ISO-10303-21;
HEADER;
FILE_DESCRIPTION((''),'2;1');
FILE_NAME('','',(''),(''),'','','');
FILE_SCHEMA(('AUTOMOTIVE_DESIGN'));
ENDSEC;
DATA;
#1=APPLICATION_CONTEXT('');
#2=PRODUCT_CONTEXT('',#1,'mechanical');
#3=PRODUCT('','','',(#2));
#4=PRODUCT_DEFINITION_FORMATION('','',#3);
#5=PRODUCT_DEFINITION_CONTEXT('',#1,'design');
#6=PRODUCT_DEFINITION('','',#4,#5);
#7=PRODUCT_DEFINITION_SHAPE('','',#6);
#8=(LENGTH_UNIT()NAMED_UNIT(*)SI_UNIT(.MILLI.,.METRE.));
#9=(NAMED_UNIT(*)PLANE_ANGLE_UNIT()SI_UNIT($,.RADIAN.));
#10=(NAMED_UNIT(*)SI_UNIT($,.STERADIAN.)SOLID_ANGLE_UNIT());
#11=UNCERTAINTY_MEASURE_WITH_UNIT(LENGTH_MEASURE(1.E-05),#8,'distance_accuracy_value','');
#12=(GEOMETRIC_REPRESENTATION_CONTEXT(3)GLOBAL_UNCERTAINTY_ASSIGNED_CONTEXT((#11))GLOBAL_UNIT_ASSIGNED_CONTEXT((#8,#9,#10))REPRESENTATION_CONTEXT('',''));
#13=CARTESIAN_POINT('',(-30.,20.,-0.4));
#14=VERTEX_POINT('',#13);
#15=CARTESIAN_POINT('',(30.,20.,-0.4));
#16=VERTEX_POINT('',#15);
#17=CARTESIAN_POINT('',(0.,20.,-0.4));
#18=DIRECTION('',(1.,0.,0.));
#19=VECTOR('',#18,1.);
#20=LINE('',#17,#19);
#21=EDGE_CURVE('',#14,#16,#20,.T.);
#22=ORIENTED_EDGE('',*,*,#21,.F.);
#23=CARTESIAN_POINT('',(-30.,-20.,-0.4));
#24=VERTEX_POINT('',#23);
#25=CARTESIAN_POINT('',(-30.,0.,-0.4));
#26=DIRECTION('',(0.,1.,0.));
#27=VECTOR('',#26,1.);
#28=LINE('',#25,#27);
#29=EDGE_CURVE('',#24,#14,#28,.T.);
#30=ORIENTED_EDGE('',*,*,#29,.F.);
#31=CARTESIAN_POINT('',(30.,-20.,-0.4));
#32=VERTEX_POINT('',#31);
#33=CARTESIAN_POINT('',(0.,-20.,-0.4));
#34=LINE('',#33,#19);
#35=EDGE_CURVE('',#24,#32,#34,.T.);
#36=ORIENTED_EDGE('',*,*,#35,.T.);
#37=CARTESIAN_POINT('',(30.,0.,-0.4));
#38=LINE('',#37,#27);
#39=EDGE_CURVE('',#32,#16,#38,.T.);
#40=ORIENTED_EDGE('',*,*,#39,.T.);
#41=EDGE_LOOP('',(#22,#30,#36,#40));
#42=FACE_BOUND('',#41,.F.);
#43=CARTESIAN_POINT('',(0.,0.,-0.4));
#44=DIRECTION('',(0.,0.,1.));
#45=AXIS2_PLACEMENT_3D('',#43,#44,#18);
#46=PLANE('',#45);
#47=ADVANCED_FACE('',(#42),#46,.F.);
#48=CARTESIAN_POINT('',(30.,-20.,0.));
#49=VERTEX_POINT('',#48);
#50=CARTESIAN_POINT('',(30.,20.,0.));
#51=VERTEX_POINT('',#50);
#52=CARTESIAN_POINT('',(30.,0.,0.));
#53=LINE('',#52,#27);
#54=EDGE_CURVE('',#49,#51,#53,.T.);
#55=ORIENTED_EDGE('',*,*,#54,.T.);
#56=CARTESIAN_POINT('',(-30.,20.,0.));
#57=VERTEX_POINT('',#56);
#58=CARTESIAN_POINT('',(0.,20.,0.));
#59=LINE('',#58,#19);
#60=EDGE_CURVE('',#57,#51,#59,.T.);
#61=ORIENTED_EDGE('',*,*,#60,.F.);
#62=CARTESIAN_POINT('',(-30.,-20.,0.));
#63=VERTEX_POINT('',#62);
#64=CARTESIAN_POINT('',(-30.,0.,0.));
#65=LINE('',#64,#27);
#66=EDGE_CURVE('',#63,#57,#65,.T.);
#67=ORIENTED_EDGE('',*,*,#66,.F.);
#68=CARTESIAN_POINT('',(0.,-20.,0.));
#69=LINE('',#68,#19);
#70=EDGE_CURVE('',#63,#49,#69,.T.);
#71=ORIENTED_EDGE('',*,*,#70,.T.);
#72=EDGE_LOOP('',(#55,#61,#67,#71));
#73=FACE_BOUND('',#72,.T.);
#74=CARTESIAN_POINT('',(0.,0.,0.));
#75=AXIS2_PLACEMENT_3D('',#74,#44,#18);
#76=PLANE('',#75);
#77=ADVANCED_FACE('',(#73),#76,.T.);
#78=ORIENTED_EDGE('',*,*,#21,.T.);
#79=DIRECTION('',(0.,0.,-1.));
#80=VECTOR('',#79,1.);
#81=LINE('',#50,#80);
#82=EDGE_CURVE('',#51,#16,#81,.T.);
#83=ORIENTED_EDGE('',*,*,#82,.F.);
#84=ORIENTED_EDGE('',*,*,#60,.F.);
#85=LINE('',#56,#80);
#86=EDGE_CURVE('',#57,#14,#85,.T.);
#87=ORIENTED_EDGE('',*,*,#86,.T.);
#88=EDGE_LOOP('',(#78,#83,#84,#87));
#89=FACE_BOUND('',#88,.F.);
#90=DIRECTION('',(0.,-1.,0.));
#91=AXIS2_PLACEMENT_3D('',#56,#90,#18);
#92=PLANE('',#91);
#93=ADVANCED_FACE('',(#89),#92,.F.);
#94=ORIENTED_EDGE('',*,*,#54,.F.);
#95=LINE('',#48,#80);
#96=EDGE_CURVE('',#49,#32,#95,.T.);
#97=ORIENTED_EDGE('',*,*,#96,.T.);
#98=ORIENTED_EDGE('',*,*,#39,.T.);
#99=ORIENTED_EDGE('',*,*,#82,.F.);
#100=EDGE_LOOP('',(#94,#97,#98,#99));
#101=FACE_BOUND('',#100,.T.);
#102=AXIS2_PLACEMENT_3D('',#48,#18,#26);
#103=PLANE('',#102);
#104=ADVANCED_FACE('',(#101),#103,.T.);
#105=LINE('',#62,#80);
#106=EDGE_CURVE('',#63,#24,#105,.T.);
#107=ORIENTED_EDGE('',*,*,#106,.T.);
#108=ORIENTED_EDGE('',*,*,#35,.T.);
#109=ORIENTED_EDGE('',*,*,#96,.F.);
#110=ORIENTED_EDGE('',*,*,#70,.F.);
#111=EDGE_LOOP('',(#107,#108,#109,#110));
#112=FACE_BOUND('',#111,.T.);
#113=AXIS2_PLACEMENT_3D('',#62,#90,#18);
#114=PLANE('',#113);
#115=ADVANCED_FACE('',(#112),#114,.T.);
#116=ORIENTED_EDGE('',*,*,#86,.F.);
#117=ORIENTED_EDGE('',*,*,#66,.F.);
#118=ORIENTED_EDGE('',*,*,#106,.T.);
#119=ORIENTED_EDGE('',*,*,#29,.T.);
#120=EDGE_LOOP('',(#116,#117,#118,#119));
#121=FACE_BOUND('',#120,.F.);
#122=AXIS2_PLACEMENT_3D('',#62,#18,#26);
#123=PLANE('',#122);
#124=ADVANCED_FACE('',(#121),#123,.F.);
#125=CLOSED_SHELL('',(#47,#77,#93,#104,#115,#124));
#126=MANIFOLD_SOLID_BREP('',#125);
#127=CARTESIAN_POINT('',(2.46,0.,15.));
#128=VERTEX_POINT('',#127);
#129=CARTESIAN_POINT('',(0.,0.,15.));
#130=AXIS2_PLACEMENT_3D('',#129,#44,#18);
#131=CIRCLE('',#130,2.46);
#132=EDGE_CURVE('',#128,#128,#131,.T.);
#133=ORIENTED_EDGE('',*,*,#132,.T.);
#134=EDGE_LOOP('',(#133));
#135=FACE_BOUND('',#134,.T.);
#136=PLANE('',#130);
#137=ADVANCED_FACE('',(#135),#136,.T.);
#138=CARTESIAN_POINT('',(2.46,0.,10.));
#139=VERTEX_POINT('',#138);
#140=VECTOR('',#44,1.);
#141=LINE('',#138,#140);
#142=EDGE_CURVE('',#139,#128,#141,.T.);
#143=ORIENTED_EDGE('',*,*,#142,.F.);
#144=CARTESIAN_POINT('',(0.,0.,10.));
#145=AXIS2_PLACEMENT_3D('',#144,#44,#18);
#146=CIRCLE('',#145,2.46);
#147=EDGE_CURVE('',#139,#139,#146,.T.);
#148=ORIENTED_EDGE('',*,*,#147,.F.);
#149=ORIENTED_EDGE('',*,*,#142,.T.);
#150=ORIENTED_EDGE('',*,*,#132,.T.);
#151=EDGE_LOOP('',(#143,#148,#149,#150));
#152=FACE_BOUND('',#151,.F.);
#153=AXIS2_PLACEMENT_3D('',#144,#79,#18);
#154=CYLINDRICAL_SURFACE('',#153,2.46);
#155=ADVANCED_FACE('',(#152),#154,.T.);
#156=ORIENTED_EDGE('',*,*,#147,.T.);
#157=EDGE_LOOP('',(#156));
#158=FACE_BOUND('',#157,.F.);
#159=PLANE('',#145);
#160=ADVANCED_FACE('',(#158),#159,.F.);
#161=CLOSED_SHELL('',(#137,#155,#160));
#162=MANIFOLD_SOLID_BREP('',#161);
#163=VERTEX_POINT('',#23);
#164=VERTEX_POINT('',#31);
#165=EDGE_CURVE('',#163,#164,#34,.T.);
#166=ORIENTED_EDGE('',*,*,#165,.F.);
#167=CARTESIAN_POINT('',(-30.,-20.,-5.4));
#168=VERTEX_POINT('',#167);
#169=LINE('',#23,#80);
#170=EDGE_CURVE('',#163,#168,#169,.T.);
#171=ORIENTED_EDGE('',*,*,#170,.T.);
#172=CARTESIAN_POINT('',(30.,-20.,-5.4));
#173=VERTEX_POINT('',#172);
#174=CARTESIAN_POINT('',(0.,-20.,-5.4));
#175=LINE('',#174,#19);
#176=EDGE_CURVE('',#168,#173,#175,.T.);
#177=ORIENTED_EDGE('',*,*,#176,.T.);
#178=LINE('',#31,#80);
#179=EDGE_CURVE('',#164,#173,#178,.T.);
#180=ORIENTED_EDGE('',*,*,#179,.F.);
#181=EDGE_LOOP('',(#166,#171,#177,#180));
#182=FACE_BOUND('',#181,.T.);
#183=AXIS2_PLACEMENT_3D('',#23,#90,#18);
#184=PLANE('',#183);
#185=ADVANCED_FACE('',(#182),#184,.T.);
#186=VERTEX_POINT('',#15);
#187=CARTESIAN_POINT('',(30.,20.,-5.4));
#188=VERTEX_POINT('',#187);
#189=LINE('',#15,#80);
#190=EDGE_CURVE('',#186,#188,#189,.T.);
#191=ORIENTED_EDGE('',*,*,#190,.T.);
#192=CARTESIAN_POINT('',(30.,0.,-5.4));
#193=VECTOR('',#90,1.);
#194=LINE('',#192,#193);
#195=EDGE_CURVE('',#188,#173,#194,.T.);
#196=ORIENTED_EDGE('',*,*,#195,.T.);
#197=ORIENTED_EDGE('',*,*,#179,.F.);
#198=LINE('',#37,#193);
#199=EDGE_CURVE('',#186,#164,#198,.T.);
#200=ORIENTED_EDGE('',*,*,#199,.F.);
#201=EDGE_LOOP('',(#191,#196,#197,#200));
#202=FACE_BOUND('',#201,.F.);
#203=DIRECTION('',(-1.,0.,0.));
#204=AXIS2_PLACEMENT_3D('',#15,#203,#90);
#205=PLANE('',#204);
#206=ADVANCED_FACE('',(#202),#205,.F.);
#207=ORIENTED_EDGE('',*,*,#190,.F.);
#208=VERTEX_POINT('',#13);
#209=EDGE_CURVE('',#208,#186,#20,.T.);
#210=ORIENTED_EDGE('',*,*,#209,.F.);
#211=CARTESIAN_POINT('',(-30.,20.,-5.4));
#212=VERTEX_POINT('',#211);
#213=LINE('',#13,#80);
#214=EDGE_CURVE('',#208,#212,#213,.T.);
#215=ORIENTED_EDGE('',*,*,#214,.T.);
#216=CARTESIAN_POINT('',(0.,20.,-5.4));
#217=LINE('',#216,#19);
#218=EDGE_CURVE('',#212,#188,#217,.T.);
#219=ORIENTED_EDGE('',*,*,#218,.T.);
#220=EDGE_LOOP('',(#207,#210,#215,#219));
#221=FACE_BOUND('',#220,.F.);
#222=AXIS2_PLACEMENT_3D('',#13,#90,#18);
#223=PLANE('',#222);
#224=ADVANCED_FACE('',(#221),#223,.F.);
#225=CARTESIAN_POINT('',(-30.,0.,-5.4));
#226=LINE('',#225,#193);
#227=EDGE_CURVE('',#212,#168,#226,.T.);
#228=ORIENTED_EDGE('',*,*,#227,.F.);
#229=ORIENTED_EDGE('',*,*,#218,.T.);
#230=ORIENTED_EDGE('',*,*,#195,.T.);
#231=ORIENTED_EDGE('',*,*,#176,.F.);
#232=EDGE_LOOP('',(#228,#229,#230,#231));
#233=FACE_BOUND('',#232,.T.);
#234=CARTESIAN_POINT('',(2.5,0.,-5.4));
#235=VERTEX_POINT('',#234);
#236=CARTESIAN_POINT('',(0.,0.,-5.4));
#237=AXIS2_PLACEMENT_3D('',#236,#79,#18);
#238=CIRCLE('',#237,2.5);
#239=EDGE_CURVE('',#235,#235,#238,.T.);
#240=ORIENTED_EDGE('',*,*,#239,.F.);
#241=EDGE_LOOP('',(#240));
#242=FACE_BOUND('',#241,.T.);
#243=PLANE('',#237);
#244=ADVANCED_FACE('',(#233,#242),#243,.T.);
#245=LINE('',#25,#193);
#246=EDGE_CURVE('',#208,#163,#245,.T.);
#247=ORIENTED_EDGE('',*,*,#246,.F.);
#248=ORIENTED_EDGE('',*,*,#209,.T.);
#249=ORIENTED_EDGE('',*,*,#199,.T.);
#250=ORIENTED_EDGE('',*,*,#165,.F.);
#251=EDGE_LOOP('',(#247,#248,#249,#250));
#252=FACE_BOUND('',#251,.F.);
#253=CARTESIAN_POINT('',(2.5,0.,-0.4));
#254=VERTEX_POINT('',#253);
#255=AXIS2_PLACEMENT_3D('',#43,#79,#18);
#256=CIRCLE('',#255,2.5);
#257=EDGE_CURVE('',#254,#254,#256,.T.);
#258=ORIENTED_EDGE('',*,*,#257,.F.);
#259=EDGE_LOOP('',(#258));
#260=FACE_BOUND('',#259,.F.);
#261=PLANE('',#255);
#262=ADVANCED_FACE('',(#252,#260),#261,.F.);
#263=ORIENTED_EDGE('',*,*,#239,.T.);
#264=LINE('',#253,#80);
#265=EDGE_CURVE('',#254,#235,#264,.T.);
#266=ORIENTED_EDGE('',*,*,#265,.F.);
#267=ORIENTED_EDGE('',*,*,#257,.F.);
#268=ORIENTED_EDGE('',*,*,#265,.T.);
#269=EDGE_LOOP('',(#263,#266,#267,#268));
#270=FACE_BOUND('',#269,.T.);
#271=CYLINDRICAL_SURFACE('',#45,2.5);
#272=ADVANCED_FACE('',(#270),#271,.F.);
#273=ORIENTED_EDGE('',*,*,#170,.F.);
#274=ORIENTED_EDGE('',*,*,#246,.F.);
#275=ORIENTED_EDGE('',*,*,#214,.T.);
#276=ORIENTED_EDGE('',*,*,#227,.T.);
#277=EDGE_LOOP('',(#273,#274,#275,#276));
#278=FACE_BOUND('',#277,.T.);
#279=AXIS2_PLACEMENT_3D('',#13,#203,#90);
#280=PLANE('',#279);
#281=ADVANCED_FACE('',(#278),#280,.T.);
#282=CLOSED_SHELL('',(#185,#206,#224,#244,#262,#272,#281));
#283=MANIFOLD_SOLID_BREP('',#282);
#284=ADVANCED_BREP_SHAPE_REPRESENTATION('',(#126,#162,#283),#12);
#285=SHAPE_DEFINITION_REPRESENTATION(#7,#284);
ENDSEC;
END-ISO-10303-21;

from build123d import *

# Parameters (mm, degrees)
F0_W     = 60
F0_H     = 40
F1_DEPTH = 0.4
F3_R     = 2.46
F4_DEPTH = 5
F5_W     = 60
F5_H     = 40
F5_R     = 2.5
F6_DEPTH = 5


with BuildPart() as f1:
    # F0 (on Top) → F1 (new body)
    with BuildSketch(Plane.XY):
        Rectangle(F0_W, F0_H)
    extrude(amount=-F1_DEPTH)


with BuildPart() as f4:
    # F3 (on offset) → F4 (new body)
    with BuildSketch(Plane.XY.offset(10)):
        Circle(F3_R)
    extrude(amount=F4_DEPTH)


with BuildPart() as f6:
    # F5 (on face) → F6 (new body)
    with BuildSketch(Plane(origin=(0, 0, -0.4), x_dir=(1, 0, 0), z_dir=(0, 0, -1))):
        Rectangle(F5_W, F5_H)
        Circle(F5_R, mode=Mode.SUBTRACT)
    extrude(amount=F6_DEPTH)


solid = Compound([f1.part, f4.part, f6.part])
